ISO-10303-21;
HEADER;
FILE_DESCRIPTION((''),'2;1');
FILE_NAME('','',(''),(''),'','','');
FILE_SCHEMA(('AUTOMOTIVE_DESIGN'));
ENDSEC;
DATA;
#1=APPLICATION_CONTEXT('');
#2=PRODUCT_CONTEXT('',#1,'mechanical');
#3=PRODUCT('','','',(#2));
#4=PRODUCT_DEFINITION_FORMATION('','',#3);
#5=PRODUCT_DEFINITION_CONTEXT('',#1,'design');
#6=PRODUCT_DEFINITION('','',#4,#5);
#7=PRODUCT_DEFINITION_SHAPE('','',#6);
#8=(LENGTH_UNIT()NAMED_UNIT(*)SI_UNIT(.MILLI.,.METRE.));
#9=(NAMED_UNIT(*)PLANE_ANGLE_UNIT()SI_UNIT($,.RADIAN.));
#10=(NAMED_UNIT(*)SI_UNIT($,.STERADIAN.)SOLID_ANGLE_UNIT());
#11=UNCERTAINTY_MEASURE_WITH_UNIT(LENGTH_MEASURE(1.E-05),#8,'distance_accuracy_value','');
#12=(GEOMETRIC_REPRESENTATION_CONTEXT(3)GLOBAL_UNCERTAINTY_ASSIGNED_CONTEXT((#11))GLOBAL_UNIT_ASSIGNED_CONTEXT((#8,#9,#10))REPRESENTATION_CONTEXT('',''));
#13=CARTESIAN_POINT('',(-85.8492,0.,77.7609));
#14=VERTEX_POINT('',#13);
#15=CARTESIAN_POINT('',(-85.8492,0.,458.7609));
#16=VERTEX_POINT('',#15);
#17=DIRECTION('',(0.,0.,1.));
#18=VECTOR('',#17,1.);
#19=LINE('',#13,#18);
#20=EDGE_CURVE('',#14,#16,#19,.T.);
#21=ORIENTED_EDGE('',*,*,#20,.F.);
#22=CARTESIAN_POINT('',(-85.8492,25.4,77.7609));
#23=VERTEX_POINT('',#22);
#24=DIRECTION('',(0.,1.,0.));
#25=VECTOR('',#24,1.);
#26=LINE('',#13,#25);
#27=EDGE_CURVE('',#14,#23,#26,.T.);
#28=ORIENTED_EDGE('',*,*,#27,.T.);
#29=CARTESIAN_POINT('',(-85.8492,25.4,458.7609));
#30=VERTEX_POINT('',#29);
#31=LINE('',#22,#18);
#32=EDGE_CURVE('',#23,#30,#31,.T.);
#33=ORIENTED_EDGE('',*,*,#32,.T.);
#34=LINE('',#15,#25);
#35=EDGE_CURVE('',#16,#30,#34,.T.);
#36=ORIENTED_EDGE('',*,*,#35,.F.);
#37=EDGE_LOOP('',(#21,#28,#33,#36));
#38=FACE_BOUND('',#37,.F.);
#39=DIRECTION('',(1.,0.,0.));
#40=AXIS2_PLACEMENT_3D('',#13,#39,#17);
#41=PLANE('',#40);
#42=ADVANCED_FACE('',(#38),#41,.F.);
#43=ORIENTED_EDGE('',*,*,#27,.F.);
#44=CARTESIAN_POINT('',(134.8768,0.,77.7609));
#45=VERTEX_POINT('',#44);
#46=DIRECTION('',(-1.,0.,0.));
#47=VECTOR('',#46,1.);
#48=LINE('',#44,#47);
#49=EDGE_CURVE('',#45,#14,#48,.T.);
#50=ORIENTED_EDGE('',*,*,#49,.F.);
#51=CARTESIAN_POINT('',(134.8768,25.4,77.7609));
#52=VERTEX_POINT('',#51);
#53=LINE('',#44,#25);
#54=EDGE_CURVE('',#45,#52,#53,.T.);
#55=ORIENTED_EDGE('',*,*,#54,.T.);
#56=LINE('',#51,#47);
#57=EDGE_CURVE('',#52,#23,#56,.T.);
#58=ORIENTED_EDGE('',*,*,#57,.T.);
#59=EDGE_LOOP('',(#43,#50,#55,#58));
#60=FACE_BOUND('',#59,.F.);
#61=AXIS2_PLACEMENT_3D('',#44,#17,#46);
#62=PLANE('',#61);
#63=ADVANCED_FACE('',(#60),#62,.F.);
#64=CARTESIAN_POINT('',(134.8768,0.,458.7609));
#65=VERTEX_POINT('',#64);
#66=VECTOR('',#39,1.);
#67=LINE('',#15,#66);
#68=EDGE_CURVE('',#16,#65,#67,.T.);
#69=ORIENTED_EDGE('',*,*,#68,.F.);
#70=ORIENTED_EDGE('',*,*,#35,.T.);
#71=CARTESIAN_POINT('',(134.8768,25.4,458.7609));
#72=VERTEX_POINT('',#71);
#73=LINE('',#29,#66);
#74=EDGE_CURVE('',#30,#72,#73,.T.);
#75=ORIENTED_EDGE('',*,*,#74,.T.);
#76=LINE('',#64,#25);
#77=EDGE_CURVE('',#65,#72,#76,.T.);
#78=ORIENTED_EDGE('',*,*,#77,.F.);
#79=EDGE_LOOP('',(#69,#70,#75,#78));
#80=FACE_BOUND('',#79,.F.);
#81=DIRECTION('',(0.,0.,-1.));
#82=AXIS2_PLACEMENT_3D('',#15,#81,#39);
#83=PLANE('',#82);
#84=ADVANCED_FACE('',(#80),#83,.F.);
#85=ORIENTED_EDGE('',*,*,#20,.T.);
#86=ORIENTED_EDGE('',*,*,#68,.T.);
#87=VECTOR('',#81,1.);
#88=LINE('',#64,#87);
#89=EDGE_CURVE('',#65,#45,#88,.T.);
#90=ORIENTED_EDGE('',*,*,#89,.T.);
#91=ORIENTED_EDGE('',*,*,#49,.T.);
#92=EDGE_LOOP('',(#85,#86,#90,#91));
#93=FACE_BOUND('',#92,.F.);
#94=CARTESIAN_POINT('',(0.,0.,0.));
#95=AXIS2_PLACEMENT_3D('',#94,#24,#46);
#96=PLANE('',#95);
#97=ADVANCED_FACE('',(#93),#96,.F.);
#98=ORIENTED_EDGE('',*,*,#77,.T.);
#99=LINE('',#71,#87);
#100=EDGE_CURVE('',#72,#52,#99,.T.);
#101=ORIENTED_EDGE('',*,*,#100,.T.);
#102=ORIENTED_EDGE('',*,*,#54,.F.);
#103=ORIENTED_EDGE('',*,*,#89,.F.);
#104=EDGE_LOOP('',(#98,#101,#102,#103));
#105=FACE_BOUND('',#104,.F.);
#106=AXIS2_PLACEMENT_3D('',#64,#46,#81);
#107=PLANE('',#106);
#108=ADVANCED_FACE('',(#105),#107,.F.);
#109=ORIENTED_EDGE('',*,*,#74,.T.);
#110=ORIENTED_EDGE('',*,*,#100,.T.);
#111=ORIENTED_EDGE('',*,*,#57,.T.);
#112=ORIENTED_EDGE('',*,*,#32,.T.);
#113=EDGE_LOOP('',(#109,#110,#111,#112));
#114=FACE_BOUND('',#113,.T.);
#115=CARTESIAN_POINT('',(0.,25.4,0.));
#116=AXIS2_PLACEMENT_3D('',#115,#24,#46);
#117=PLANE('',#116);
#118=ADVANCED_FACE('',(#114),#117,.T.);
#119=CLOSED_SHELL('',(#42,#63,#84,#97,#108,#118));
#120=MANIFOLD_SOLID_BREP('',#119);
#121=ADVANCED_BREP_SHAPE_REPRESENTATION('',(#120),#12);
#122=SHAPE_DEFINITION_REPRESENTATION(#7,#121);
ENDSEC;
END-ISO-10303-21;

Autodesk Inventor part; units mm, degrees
ref_plane "YZ Plane" through (0, 0, 0) normal (1, 0, 0) x (0, 1, 0)
ref_plane "XZ Plane" through (0, 0, 0) normal (0, 1, 0) x (-1, 0, 0)
ref_plane "XY Plane" through (0, 0, 0) normal (0, 0, 1) x (1, 0, 0)
sketch "Sketch1" plane through (0, 0, 0) normal (0, 1, 0) x (-1, 0, 0)
  line L0 (-134.8768, 77.7609) -> (85.8492, 77.7609)
  line L1 (85.8492, 77.7609) -> (85.8492, 458.7609)
  line L2 (85.8492, 458.7609) -> (-134.8768, 458.7609)
  line L3 (-134.8768, 458.7609) -> (-134.8768, 77.7609)
  point P0 (0, 0)
  dimension "d0" = 220.726
  dimension "d1" = 381
extrude "Extrusion1" add sketch "Sketch1" along normal blind 25.4
properties part number "table342"
